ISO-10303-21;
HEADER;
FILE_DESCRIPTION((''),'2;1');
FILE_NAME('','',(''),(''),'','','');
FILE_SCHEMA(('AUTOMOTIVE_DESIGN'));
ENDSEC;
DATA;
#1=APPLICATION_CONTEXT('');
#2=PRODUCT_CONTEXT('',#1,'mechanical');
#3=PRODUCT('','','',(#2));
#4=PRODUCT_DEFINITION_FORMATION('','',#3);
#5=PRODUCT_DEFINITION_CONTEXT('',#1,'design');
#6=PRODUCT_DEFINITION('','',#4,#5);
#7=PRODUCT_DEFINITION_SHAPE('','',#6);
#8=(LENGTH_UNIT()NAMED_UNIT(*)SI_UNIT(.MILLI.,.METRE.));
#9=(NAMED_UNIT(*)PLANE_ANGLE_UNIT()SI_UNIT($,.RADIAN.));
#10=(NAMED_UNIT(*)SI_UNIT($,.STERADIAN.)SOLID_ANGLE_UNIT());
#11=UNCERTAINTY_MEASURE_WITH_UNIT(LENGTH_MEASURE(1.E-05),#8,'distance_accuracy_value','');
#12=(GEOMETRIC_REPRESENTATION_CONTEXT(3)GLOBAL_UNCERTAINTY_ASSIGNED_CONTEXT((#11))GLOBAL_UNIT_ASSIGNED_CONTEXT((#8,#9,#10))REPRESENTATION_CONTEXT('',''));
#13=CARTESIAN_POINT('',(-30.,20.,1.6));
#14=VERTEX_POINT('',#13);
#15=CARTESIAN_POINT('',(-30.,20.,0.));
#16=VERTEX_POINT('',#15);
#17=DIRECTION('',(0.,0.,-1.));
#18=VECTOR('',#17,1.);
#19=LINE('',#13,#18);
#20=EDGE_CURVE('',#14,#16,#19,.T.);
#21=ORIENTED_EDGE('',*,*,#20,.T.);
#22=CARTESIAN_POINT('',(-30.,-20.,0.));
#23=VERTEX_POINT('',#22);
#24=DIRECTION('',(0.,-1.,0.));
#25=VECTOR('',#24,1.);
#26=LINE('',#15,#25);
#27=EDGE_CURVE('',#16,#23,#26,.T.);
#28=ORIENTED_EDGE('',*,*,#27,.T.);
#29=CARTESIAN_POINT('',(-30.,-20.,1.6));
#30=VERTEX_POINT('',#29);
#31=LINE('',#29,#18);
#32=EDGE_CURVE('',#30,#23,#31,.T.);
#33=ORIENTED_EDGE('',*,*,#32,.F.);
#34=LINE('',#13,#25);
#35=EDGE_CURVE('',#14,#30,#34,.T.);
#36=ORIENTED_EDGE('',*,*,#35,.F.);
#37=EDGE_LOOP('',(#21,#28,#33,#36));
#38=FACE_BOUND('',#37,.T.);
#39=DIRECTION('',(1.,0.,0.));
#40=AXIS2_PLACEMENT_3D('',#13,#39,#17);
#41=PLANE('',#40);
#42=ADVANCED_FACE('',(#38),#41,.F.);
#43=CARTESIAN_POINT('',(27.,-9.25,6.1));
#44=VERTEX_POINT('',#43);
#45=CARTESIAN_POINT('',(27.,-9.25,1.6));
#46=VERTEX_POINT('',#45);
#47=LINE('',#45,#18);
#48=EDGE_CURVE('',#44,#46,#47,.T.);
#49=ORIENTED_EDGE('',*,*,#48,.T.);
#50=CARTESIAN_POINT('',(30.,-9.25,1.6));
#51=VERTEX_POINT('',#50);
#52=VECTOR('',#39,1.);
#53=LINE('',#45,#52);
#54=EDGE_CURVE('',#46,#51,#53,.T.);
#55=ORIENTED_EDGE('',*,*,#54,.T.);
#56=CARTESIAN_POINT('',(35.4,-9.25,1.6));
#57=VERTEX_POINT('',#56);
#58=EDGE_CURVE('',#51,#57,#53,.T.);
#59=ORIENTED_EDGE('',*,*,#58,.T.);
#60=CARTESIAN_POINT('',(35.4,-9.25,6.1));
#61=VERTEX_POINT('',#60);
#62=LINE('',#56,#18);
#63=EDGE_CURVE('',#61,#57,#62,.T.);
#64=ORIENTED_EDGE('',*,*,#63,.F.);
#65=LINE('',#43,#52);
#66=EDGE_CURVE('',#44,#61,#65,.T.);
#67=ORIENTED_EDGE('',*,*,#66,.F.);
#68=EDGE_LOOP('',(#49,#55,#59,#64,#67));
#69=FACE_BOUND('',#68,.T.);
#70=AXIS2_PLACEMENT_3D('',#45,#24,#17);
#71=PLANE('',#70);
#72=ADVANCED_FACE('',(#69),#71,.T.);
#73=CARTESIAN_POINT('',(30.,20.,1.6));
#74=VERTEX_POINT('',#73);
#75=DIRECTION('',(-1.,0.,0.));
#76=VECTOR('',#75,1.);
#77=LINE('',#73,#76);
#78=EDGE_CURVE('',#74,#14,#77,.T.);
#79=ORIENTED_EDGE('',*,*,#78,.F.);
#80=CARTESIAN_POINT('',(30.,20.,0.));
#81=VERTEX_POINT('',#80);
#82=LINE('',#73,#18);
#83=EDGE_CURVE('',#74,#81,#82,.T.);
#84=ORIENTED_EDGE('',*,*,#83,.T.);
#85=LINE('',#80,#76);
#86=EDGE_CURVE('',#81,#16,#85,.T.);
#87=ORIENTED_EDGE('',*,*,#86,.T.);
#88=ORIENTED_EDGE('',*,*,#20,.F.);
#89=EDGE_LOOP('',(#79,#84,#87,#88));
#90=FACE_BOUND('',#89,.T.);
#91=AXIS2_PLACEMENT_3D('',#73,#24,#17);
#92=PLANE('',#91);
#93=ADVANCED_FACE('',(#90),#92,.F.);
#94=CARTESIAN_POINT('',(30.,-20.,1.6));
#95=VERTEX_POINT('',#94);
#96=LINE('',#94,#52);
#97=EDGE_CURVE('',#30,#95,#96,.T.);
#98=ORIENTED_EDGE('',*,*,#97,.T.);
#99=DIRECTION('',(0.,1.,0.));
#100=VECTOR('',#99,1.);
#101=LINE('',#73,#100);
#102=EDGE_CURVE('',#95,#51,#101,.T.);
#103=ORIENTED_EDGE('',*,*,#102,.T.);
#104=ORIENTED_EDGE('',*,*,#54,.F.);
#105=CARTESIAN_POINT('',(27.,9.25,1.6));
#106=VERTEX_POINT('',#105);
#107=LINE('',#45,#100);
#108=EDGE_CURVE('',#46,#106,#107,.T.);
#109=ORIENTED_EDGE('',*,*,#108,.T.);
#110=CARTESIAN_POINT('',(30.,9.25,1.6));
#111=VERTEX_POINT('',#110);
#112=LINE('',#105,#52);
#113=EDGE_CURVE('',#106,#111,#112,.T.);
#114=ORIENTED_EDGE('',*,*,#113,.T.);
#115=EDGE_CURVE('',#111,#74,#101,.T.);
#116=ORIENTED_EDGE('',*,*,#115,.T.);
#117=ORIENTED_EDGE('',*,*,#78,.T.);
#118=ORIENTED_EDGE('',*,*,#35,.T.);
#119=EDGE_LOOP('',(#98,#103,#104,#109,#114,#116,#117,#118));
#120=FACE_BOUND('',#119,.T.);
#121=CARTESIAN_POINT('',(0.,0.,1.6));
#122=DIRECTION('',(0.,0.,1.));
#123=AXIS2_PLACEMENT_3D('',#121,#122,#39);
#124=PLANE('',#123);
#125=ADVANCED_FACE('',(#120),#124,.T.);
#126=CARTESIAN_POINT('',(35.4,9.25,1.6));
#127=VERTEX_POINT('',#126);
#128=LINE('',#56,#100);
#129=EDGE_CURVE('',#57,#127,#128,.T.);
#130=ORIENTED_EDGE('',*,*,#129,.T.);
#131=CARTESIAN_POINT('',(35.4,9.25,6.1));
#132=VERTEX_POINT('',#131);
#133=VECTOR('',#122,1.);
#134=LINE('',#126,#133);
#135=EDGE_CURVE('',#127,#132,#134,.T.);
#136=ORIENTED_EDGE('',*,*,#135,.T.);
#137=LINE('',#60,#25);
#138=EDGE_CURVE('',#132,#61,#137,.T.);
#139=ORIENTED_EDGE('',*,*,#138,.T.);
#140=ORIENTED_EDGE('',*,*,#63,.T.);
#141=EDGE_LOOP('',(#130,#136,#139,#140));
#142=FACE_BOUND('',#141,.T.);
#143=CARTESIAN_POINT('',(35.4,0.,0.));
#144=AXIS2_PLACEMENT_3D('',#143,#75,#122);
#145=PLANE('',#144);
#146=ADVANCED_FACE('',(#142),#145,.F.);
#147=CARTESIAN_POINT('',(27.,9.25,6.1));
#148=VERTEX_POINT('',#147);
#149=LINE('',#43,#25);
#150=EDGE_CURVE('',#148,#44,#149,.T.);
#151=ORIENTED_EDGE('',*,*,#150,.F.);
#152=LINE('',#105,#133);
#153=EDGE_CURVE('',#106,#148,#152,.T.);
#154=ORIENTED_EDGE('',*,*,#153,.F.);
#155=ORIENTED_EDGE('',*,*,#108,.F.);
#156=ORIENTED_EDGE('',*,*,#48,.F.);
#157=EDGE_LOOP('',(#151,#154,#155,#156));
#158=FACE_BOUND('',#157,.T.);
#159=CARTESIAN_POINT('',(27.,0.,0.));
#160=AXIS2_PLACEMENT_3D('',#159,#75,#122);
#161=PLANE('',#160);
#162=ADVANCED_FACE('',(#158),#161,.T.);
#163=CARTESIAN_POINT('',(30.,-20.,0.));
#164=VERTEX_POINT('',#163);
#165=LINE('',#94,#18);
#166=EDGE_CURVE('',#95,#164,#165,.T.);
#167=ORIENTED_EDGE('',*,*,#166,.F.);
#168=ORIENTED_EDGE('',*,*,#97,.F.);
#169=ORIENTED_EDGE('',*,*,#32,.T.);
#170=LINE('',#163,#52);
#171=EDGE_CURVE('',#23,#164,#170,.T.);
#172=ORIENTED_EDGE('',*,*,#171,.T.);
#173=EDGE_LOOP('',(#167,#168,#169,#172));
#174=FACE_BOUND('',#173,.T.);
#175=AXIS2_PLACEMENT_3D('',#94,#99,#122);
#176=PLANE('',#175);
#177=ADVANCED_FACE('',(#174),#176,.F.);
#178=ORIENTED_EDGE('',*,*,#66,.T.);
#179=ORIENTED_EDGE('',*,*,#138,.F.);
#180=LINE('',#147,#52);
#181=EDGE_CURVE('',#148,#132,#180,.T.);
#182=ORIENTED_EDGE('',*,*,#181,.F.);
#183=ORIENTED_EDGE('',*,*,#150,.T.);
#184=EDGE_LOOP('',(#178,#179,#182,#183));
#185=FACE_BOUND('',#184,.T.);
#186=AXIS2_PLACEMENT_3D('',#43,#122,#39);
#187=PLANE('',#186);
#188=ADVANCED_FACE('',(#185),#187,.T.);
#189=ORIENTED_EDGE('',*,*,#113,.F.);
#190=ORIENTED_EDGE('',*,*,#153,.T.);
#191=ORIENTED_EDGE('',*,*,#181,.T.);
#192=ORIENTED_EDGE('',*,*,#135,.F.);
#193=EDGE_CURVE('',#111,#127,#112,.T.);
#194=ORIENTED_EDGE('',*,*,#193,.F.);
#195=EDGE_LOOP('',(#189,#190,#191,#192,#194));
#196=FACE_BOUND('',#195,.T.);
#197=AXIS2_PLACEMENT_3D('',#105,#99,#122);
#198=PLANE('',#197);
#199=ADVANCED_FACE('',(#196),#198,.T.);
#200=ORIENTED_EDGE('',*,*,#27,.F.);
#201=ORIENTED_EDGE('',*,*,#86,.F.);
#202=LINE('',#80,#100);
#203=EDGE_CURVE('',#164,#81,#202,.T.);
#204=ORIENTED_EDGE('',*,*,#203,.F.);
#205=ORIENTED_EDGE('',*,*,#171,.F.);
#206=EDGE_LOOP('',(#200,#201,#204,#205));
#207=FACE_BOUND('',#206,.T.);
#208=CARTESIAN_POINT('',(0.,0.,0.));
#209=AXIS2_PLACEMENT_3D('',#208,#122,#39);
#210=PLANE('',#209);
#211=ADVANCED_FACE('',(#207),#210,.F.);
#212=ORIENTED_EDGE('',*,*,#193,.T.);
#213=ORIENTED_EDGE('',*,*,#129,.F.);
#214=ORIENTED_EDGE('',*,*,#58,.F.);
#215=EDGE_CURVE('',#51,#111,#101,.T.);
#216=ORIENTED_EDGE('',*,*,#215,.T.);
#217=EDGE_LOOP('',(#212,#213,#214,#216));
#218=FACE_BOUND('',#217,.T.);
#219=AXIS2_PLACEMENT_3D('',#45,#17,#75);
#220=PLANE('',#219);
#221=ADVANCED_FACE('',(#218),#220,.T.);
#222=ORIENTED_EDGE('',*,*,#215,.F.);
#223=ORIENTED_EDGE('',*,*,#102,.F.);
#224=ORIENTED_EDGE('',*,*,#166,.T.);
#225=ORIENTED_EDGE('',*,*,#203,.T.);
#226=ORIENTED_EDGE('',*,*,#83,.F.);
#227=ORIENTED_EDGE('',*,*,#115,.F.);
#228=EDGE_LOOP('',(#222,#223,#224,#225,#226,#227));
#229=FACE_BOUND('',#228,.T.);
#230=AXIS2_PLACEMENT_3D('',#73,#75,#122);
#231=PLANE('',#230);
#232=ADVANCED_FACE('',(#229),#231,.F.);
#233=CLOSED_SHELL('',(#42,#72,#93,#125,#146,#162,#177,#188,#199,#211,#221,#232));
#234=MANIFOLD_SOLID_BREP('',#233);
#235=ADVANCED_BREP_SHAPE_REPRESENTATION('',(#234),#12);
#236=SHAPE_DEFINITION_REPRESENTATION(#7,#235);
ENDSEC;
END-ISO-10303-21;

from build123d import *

# Parameters (mm, degrees)
SKETCH1_W                = 40
SKETCH1_H                = 60
BOSS_EXTRUDE1_DEPTH      = 1.6
BOSS_EXTRUDE2_DEPTH      = 5.4
BOSS_EXTRUDE2_DEPTH_BACK = 3
SKETCH2_W                = 18.5
SKETCH2_H                = 4.5


with BuildPart() as part:
    # Sketch1 → Boss-Extrude1 (new body)
    with BuildSketch(Plane(origin=(0, 0, 0), x_dir=(0, 1, 0), z_dir=(0, 0, 1))):
        Rectangle(SKETCH1_W, SKETCH1_H)
    extrude(amount=BOSS_EXTRUDE1_DEPTH)

    # Sketch2 → Boss-Extrude2 (add, two sides: drawn at the far end of the back side and taken through both)
    with BuildSketch(Plane.YZ.offset(30).offset(-BOSS_EXTRUDE2_DEPTH_BACK)):
        with Locations((0, 3.85)):
            Rectangle(SKETCH2_W, SKETCH2_H)
    extrude(amount=BOSS_EXTRUDE2_DEPTH + BOSS_EXTRUDE2_DEPTH_BACK)


solid = part.part
